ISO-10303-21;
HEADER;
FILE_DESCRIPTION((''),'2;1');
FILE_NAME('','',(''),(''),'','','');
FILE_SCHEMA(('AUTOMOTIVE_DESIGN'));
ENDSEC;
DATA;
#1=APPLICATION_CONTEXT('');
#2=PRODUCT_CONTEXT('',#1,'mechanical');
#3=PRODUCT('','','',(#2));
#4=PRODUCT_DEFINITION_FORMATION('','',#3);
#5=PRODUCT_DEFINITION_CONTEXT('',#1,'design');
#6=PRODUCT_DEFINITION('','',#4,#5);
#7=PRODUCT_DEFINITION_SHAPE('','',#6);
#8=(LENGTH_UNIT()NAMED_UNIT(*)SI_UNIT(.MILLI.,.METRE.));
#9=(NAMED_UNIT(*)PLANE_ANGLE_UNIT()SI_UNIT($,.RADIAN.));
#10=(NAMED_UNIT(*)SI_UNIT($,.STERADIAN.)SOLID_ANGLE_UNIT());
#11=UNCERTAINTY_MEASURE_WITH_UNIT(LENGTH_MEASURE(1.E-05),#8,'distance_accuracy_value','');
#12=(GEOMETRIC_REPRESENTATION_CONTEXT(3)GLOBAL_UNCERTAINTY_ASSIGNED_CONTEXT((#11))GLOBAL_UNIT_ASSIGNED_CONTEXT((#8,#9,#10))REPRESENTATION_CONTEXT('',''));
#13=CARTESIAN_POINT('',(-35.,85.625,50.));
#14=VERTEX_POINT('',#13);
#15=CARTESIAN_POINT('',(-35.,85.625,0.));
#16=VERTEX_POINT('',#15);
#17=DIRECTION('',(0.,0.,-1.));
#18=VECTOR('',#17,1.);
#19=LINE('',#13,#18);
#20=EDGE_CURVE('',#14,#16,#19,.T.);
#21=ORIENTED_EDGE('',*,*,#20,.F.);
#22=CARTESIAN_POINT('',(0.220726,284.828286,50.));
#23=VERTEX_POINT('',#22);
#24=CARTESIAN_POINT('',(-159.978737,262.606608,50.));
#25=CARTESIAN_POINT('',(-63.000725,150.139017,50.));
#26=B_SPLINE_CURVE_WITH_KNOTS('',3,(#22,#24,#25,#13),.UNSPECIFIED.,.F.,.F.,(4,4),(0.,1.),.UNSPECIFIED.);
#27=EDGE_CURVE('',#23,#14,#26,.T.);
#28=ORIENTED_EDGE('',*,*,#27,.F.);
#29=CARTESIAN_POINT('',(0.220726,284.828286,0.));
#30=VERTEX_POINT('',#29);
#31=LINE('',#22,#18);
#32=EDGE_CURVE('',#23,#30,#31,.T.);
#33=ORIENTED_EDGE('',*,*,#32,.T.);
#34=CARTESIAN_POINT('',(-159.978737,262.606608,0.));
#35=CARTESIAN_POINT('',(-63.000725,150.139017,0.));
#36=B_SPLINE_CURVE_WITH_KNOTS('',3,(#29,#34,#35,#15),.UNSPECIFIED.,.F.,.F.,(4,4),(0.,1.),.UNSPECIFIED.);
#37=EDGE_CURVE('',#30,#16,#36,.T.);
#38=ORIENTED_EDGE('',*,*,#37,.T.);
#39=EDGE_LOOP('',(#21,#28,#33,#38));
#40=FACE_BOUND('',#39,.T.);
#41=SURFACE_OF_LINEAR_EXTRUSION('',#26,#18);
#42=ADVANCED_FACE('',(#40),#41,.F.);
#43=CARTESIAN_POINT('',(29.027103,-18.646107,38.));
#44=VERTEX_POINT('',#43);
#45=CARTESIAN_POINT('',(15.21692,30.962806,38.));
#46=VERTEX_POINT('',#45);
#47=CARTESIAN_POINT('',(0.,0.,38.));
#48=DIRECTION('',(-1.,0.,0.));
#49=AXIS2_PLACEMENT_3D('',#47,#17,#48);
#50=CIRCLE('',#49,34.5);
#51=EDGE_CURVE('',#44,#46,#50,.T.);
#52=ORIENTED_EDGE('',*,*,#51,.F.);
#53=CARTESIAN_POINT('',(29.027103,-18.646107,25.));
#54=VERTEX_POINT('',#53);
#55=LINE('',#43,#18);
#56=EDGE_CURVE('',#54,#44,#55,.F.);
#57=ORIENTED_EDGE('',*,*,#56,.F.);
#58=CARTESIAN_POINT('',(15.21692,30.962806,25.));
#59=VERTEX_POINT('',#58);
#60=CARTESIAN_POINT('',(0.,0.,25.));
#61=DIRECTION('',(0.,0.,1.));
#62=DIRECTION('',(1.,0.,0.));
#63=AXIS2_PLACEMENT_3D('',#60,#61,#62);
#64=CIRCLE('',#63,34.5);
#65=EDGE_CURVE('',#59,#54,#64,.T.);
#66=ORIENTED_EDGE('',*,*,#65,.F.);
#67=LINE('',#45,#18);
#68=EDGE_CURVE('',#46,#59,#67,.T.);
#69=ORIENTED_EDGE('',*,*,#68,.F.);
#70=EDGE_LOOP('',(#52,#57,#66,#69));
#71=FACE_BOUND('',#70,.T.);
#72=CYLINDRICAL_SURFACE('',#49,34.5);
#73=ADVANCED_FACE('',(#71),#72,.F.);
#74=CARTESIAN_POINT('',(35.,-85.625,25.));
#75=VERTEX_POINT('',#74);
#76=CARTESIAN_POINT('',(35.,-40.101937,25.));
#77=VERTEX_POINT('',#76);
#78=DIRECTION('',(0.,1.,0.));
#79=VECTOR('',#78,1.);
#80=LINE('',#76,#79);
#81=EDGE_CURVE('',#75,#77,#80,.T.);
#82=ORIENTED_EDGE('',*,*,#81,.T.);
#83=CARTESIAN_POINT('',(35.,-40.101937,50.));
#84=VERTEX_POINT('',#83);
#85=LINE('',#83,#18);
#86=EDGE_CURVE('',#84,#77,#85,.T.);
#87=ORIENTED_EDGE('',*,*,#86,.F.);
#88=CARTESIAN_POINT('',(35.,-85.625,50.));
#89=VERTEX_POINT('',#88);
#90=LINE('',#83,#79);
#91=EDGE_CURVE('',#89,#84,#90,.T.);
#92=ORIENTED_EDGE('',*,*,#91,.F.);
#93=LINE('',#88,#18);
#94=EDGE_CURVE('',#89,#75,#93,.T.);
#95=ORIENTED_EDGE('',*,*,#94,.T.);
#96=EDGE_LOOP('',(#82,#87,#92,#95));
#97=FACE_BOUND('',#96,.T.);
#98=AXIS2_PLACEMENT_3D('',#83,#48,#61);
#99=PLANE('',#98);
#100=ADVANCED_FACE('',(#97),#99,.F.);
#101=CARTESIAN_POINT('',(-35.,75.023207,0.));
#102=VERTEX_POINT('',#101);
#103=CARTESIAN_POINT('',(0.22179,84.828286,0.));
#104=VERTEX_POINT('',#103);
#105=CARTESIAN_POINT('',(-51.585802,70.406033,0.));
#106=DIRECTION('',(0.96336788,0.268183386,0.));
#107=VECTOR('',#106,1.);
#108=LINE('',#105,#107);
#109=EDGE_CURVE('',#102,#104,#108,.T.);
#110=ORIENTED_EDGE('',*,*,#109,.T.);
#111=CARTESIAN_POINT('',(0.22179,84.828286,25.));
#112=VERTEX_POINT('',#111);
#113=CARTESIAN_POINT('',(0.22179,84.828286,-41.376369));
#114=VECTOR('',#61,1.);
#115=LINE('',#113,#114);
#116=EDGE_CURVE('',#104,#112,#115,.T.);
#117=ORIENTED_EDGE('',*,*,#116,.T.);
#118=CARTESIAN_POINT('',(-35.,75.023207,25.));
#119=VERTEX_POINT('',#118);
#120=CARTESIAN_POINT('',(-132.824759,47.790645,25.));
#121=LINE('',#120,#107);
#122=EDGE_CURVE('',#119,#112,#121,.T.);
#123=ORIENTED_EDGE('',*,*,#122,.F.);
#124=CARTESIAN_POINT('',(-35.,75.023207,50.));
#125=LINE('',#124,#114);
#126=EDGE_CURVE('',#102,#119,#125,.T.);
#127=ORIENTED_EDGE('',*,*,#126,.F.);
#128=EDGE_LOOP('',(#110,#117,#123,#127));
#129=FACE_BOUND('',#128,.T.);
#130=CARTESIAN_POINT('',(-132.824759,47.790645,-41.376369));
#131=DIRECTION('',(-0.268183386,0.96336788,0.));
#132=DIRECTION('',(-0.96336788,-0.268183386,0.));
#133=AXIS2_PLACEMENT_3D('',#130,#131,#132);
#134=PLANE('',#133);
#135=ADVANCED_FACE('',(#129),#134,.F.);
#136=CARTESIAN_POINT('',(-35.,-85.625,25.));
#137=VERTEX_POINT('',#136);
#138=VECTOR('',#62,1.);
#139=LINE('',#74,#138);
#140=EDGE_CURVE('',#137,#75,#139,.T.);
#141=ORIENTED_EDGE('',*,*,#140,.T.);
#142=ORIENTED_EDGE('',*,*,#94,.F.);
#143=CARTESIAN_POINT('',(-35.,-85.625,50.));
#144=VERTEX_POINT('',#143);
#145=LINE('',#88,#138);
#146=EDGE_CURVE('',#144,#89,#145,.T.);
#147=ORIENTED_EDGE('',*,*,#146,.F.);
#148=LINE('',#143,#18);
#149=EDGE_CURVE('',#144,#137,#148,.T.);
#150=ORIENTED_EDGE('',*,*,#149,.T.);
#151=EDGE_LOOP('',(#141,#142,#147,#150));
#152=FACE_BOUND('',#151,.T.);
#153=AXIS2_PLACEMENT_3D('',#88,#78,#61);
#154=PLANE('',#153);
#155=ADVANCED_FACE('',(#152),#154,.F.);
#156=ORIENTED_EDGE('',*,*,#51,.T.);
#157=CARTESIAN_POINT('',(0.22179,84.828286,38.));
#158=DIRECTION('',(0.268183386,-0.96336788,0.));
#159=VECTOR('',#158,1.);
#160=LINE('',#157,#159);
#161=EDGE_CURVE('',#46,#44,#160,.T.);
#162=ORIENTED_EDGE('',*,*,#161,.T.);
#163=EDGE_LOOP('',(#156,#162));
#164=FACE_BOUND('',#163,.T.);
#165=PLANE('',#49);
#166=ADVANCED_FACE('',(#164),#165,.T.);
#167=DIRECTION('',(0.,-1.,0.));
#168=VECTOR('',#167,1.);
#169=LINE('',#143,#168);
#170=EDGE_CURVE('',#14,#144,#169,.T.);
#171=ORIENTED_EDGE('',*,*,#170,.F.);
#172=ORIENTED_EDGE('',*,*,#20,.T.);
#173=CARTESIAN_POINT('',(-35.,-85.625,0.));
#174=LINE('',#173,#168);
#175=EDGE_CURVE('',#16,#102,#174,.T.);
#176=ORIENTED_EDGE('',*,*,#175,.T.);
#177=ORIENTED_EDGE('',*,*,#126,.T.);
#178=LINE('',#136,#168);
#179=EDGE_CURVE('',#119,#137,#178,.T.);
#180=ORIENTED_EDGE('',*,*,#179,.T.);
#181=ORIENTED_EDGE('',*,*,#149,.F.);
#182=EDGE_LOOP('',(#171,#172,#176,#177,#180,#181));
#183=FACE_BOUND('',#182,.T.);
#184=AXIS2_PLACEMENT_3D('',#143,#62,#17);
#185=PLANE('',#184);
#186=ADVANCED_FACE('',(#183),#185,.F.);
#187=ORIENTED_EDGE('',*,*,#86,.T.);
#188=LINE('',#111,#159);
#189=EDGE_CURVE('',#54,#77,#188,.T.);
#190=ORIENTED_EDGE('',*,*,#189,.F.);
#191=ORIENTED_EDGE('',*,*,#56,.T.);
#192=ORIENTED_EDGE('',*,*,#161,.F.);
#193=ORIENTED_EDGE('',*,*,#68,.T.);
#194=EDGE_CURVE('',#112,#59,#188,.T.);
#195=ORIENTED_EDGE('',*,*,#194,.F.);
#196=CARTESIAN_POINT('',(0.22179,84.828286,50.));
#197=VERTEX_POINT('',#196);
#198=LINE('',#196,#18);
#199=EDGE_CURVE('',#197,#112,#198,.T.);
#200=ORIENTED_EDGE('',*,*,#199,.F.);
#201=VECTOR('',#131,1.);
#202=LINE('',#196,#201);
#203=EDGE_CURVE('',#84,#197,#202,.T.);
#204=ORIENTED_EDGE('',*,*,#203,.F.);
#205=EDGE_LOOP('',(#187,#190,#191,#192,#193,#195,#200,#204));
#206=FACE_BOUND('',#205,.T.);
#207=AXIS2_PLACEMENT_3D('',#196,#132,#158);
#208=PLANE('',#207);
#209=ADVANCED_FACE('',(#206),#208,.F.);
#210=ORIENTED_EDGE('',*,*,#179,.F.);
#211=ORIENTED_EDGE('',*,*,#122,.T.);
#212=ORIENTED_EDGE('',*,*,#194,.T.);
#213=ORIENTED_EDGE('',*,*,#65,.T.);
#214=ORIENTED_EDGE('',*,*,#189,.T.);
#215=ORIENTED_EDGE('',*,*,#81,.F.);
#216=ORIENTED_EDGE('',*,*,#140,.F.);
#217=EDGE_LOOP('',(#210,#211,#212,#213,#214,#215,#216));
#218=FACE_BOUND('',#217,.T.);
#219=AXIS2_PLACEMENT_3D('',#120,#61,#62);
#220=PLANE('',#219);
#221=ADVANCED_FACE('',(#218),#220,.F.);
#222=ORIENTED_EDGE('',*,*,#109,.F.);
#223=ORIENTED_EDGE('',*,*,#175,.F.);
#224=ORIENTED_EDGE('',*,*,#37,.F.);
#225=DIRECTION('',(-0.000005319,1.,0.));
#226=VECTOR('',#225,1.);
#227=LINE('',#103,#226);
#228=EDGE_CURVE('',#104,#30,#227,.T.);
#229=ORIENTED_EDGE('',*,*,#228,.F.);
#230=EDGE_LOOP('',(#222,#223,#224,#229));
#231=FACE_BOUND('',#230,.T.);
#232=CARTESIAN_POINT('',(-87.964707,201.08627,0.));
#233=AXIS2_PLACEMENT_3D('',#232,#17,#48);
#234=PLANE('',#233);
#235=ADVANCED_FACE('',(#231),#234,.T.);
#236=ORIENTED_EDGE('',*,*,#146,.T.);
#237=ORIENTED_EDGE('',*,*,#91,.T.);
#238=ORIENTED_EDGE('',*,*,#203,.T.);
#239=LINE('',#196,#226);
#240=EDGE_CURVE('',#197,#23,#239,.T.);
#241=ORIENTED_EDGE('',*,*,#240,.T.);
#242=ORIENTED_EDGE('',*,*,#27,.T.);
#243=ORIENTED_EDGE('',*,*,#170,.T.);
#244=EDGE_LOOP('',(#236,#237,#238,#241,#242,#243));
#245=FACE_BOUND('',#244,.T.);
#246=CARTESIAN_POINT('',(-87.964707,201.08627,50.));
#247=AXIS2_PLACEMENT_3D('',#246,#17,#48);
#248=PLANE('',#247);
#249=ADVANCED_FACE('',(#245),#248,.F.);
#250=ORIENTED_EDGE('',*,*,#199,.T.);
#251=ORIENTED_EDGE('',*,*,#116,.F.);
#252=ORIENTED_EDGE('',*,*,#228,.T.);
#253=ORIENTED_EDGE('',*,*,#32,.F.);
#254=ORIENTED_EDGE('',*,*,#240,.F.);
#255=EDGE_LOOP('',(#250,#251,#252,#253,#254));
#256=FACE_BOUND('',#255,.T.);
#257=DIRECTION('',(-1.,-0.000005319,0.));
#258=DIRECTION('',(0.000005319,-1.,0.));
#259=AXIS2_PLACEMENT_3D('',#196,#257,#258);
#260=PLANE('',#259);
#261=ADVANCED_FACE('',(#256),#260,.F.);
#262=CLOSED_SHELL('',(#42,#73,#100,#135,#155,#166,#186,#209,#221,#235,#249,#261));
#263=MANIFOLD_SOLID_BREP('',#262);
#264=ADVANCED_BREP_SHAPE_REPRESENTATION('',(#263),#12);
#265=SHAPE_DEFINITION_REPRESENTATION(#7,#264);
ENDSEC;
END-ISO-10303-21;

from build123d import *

# Parameters (mm, degrees)
BOSS_EXTRUDE1_DEPTH = 50
SKETCH3_W           = 66.376369139
SKETCH3_H           = 188.96079622
CUT_EXTRUDE1_DEPTH  = 305.408240944
SKETCH4_R           = 34.5
CUT_EXTRUDE2_DEPTH  = 13


with BuildPart() as part:
    # Sketch1 → Boss-Extrude1 (new body)
    with BuildSketch(Plane.XY):
        with BuildLine():
            Line((0.221790001, 84.828286355), (0.2207262, 284.828286352))
            add(Edge.make_bspline(
                [(0.2207262, 284.828286352), (-159.978737061, 262.606607754), (-63.000724603, 150.139017081), (-35, 85.625)],
                knots=[0, 0, 0, 0, 1, 1, 1, 1], degree=3))
            Line((-35, 85.625), (-35, -85.625))
            Line((-35, -85.625), (35, -85.625))
            Line((35, -85.625), (35, -40.1019375))
            Line((35, -40.1019375), (0.221790001, 84.828286355))
        make_face()
    extrude(amount=BOSS_EXTRUDE1_DEPTH)

    # Sketch3 → Cut-Extrude1 (cut, through all)
    with BuildSketch(Plane(origin=(22.122011617, 6.158349372, 0), x_dir=(0, 0, -1), z_dir=(0.9633678796634119, 0.2681833858254875, 0))):
        with Locations((8.18818457, -12.819032142)):
            Rectangle(SKETCH3_W, SKETCH3_H)
    extrude(amount=-CUT_EXTRUDE1_DEPTH, mode=Mode.SUBTRACT)

    # Sketch4 → Cut-Extrude2 (cut)
    with BuildSketch(Plane(origin=(0, 0, 25), x_dir=(-1, 0, 0), z_dir=(0, 0, -1))):
        Circle(SKETCH4_R)
    extrude(amount=-CUT_EXTRUDE2_DEPTH, mode=Mode.SUBTRACT)


solid = part.part
